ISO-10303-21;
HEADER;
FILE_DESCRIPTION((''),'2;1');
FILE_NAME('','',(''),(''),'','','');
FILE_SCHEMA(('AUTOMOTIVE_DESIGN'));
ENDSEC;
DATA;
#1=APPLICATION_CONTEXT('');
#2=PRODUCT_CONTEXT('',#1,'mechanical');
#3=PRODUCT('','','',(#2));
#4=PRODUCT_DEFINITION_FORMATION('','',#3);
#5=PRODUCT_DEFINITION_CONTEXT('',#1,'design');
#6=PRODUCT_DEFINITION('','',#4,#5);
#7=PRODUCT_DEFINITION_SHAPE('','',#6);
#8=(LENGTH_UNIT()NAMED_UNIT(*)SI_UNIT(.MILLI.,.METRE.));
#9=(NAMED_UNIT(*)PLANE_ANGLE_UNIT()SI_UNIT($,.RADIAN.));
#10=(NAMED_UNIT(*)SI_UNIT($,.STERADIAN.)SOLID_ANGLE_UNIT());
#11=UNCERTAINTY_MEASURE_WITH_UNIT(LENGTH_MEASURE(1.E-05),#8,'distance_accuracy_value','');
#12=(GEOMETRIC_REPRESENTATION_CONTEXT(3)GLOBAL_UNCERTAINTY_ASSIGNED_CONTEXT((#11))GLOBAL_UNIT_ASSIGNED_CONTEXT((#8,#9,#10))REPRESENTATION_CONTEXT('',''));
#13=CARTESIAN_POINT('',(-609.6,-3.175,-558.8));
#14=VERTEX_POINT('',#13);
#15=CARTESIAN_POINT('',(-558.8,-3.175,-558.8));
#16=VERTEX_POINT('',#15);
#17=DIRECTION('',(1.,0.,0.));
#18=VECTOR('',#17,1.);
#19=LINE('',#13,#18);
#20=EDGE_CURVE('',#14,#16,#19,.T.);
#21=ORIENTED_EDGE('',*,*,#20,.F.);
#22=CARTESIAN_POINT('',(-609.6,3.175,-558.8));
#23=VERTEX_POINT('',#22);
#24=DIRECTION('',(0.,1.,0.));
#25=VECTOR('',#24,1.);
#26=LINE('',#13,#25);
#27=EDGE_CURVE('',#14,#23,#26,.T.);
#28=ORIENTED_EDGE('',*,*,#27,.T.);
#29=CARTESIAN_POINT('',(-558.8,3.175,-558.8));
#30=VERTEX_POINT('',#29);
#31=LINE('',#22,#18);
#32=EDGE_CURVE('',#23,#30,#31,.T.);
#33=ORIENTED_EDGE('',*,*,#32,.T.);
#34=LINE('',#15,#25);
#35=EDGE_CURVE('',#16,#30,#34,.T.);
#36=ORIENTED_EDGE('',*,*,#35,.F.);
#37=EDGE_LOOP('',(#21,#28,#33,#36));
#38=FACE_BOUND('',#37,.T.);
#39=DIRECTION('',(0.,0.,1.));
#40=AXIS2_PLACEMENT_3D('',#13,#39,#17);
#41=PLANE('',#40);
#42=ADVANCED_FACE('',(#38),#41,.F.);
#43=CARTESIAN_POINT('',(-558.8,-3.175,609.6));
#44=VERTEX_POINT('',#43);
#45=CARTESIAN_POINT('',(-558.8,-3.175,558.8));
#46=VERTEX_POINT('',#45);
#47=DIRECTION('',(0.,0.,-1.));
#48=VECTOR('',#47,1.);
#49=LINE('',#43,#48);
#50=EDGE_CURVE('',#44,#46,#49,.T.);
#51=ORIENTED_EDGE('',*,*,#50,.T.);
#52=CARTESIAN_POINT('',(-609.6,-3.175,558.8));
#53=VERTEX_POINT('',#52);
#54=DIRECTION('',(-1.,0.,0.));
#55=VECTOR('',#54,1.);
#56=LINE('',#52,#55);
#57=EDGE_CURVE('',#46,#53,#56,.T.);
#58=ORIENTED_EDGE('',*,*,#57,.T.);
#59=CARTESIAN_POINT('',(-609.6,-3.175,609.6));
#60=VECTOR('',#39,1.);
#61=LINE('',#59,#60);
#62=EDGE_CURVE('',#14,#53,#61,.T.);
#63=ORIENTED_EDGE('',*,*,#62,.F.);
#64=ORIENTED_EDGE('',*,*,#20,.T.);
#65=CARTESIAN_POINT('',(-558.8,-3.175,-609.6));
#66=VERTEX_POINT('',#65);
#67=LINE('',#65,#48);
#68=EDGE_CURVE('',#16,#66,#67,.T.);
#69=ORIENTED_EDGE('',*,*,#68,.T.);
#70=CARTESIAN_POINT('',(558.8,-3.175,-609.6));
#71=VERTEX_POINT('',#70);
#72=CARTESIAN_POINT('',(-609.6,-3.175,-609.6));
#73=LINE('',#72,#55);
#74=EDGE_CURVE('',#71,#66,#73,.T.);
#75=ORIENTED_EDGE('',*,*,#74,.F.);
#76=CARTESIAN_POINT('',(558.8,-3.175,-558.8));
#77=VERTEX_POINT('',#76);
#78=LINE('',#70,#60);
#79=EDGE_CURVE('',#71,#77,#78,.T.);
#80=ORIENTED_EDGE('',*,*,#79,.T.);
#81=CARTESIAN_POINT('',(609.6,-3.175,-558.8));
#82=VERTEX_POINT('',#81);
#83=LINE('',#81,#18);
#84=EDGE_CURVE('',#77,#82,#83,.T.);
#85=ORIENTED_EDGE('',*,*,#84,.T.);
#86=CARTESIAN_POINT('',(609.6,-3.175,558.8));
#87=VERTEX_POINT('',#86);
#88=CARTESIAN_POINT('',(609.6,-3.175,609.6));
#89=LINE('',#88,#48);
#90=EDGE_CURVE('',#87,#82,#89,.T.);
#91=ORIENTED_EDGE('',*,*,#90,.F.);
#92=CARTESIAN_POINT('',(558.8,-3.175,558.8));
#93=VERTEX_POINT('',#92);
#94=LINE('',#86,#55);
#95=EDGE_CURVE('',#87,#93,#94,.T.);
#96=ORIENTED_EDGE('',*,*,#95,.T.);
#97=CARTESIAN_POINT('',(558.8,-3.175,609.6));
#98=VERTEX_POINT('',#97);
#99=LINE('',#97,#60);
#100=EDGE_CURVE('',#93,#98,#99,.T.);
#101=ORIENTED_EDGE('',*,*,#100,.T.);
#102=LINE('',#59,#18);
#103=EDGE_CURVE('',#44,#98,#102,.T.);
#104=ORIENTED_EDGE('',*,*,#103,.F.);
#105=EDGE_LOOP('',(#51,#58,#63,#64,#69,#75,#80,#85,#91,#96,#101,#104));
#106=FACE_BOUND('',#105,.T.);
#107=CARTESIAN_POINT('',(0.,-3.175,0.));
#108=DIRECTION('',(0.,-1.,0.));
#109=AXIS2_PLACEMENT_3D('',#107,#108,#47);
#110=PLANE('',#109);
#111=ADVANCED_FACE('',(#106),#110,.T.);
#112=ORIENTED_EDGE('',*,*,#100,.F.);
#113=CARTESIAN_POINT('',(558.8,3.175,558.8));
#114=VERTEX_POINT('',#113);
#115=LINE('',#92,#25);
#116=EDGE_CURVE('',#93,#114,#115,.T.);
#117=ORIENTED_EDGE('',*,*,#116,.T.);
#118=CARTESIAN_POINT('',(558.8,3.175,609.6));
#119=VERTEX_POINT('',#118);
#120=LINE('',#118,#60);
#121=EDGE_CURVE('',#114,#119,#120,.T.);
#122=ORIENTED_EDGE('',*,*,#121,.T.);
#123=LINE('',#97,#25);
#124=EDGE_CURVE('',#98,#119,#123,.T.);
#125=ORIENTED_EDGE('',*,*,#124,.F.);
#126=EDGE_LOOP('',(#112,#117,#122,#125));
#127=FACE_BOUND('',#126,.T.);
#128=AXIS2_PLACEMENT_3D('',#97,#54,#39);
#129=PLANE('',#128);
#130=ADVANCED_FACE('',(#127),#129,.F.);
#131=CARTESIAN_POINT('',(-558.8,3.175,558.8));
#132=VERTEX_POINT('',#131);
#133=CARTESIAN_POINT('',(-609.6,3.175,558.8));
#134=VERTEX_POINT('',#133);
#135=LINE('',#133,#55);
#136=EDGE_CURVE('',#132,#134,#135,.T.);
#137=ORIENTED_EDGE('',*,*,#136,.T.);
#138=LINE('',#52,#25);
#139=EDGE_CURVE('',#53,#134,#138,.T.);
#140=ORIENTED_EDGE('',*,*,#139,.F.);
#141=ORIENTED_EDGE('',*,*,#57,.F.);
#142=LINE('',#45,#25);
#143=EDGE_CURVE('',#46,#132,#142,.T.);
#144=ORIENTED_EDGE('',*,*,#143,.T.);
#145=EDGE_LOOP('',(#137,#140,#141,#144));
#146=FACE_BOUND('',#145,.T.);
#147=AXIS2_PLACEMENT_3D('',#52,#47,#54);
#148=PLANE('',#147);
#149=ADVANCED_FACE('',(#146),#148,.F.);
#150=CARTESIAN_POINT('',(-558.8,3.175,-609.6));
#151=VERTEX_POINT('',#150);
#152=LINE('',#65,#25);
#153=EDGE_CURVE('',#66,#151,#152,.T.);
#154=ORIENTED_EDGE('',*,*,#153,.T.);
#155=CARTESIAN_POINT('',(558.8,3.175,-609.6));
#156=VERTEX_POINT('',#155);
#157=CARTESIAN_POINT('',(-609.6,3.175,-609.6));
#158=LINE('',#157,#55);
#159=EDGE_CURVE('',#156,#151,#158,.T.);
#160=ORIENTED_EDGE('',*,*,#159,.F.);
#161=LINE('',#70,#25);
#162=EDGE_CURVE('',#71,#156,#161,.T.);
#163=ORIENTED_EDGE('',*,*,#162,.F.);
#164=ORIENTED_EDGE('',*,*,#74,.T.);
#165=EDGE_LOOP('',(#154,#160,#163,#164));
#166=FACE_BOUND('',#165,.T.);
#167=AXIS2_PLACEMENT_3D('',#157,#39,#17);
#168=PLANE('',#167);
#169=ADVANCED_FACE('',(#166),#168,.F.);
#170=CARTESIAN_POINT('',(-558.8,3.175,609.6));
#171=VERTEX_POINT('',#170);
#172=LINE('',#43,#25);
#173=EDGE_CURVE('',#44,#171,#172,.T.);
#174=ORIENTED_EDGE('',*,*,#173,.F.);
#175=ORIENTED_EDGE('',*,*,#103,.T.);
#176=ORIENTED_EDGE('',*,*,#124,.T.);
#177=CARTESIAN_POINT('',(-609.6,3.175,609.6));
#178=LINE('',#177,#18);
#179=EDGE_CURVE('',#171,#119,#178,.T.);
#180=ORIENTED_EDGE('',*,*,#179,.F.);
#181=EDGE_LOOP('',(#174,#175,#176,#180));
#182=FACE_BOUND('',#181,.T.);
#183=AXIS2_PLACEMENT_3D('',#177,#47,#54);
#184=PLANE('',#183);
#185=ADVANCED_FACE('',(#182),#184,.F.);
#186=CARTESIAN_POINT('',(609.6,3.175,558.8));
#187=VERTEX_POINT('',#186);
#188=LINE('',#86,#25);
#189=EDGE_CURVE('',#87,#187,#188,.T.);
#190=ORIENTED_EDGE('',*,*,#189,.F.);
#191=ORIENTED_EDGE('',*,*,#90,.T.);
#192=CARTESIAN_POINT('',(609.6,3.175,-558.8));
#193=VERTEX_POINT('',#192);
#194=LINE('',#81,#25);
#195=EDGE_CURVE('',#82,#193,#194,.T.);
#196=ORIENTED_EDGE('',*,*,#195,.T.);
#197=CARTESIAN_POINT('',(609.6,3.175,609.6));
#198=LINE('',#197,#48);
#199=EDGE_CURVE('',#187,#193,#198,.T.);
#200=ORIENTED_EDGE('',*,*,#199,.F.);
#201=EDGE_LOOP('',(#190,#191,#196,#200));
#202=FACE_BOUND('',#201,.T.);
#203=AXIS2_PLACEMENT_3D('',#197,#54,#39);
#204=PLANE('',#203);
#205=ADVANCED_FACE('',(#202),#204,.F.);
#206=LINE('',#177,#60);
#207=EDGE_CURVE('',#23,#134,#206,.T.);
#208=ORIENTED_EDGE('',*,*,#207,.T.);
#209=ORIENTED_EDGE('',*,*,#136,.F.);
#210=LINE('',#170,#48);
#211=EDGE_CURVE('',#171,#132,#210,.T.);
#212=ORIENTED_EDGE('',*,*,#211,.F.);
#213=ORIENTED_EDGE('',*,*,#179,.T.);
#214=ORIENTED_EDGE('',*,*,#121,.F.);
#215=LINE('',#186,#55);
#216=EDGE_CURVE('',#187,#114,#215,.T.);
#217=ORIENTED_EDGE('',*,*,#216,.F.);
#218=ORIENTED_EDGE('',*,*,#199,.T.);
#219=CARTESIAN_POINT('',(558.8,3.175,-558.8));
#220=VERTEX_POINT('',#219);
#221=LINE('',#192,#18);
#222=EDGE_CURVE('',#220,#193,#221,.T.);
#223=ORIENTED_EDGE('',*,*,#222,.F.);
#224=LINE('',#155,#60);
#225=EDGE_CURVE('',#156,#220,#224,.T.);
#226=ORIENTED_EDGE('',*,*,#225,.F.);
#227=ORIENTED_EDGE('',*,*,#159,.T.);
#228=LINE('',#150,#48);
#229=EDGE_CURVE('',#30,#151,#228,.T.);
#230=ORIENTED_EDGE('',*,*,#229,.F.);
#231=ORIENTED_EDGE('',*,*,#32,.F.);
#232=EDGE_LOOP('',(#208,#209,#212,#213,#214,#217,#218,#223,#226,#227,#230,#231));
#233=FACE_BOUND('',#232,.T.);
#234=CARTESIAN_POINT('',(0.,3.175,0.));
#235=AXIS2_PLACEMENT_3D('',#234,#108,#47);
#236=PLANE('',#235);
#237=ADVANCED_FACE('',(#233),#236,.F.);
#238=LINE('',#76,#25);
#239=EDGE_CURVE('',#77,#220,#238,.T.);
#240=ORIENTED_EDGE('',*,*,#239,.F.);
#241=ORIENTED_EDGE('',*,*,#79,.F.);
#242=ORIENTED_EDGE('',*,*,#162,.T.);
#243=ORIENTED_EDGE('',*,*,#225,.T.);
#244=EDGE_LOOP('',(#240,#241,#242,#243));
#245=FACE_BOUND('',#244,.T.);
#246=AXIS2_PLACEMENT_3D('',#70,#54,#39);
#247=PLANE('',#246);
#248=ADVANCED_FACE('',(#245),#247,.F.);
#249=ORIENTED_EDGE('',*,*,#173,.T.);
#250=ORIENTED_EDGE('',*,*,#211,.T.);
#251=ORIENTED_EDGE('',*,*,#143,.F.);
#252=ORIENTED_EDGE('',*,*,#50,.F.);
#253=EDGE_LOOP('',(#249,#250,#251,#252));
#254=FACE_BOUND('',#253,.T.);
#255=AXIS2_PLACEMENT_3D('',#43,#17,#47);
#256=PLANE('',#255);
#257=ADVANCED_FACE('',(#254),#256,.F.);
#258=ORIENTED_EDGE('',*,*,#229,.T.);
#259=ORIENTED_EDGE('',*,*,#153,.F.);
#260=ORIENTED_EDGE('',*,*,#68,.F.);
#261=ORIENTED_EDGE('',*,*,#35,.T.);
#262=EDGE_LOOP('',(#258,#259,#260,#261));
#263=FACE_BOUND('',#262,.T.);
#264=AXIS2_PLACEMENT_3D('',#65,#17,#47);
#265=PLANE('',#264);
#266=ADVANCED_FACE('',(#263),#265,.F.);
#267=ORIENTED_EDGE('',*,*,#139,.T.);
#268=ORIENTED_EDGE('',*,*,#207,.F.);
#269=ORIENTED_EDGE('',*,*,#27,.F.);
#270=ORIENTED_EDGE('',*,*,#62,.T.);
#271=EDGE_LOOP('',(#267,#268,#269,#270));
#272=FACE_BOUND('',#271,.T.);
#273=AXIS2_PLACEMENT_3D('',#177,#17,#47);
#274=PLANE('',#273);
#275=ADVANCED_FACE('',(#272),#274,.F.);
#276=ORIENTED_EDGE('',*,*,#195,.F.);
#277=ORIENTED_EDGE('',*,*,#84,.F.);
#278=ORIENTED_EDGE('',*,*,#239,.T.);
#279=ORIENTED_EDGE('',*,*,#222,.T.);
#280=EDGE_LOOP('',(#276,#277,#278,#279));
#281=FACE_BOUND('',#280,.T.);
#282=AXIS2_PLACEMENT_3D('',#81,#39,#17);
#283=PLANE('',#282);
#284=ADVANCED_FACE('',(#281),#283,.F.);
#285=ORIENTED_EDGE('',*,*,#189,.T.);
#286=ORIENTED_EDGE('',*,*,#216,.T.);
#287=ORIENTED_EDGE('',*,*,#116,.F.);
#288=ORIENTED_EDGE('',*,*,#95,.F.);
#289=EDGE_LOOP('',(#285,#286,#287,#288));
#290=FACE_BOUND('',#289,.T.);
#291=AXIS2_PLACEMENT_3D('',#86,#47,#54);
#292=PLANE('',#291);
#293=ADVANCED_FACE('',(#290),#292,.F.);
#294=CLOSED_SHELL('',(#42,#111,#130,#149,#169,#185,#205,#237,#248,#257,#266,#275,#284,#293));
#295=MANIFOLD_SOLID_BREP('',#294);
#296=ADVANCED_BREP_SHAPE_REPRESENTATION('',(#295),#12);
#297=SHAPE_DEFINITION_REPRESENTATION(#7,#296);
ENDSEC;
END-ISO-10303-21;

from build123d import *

# Parameters (mm, degrees)
SKETCH1_W           = 1219.2
SKETCH1_H           = 1219.2
BOSS_EXTRUDE1_DEPTH = 3.175
SKETCH2_W           = 50.8
SKETCH2_H           = 50.8
CUT_EXTRUDE1_DEPTH  = 863.127973389


with BuildPart() as part:
    # Sketch1 → Boss-Extrude1 (new, symmetric)
    with BuildSketch(Plane(origin=(0, 0, 0), x_dir=(1, 0, 0), z_dir=(0, 1, 0))):
        Rectangle(SKETCH1_W, SKETCH1_H)
    extrude(amount=BOSS_EXTRUDE1_DEPTH, both=True)

    # Sketch2 → Cut-Extrude1 (cut, through all)
    with BuildSketch(Plane(origin=(0, 3.175, 0), x_dir=(1, 0, 0), z_dir=(0, 1, 0))):
        with Locations((-584.2, 584.2)):
            Rectangle(SKETCH2_W, SKETCH2_H)
        with Locations((584.2, 584.2)):
            Rectangle(SKETCH2_W, SKETCH2_H)
        with Locations((584.2, -584.2)):
            Rectangle(SKETCH2_W, SKETCH2_H)
        with Locations((-584.2, -584.2)):
            Rectangle(SKETCH2_W, SKETCH2_H)
    extrude(amount=-CUT_EXTRUDE1_DEPTH, mode=Mode.SUBTRACT)


solid = part.part
